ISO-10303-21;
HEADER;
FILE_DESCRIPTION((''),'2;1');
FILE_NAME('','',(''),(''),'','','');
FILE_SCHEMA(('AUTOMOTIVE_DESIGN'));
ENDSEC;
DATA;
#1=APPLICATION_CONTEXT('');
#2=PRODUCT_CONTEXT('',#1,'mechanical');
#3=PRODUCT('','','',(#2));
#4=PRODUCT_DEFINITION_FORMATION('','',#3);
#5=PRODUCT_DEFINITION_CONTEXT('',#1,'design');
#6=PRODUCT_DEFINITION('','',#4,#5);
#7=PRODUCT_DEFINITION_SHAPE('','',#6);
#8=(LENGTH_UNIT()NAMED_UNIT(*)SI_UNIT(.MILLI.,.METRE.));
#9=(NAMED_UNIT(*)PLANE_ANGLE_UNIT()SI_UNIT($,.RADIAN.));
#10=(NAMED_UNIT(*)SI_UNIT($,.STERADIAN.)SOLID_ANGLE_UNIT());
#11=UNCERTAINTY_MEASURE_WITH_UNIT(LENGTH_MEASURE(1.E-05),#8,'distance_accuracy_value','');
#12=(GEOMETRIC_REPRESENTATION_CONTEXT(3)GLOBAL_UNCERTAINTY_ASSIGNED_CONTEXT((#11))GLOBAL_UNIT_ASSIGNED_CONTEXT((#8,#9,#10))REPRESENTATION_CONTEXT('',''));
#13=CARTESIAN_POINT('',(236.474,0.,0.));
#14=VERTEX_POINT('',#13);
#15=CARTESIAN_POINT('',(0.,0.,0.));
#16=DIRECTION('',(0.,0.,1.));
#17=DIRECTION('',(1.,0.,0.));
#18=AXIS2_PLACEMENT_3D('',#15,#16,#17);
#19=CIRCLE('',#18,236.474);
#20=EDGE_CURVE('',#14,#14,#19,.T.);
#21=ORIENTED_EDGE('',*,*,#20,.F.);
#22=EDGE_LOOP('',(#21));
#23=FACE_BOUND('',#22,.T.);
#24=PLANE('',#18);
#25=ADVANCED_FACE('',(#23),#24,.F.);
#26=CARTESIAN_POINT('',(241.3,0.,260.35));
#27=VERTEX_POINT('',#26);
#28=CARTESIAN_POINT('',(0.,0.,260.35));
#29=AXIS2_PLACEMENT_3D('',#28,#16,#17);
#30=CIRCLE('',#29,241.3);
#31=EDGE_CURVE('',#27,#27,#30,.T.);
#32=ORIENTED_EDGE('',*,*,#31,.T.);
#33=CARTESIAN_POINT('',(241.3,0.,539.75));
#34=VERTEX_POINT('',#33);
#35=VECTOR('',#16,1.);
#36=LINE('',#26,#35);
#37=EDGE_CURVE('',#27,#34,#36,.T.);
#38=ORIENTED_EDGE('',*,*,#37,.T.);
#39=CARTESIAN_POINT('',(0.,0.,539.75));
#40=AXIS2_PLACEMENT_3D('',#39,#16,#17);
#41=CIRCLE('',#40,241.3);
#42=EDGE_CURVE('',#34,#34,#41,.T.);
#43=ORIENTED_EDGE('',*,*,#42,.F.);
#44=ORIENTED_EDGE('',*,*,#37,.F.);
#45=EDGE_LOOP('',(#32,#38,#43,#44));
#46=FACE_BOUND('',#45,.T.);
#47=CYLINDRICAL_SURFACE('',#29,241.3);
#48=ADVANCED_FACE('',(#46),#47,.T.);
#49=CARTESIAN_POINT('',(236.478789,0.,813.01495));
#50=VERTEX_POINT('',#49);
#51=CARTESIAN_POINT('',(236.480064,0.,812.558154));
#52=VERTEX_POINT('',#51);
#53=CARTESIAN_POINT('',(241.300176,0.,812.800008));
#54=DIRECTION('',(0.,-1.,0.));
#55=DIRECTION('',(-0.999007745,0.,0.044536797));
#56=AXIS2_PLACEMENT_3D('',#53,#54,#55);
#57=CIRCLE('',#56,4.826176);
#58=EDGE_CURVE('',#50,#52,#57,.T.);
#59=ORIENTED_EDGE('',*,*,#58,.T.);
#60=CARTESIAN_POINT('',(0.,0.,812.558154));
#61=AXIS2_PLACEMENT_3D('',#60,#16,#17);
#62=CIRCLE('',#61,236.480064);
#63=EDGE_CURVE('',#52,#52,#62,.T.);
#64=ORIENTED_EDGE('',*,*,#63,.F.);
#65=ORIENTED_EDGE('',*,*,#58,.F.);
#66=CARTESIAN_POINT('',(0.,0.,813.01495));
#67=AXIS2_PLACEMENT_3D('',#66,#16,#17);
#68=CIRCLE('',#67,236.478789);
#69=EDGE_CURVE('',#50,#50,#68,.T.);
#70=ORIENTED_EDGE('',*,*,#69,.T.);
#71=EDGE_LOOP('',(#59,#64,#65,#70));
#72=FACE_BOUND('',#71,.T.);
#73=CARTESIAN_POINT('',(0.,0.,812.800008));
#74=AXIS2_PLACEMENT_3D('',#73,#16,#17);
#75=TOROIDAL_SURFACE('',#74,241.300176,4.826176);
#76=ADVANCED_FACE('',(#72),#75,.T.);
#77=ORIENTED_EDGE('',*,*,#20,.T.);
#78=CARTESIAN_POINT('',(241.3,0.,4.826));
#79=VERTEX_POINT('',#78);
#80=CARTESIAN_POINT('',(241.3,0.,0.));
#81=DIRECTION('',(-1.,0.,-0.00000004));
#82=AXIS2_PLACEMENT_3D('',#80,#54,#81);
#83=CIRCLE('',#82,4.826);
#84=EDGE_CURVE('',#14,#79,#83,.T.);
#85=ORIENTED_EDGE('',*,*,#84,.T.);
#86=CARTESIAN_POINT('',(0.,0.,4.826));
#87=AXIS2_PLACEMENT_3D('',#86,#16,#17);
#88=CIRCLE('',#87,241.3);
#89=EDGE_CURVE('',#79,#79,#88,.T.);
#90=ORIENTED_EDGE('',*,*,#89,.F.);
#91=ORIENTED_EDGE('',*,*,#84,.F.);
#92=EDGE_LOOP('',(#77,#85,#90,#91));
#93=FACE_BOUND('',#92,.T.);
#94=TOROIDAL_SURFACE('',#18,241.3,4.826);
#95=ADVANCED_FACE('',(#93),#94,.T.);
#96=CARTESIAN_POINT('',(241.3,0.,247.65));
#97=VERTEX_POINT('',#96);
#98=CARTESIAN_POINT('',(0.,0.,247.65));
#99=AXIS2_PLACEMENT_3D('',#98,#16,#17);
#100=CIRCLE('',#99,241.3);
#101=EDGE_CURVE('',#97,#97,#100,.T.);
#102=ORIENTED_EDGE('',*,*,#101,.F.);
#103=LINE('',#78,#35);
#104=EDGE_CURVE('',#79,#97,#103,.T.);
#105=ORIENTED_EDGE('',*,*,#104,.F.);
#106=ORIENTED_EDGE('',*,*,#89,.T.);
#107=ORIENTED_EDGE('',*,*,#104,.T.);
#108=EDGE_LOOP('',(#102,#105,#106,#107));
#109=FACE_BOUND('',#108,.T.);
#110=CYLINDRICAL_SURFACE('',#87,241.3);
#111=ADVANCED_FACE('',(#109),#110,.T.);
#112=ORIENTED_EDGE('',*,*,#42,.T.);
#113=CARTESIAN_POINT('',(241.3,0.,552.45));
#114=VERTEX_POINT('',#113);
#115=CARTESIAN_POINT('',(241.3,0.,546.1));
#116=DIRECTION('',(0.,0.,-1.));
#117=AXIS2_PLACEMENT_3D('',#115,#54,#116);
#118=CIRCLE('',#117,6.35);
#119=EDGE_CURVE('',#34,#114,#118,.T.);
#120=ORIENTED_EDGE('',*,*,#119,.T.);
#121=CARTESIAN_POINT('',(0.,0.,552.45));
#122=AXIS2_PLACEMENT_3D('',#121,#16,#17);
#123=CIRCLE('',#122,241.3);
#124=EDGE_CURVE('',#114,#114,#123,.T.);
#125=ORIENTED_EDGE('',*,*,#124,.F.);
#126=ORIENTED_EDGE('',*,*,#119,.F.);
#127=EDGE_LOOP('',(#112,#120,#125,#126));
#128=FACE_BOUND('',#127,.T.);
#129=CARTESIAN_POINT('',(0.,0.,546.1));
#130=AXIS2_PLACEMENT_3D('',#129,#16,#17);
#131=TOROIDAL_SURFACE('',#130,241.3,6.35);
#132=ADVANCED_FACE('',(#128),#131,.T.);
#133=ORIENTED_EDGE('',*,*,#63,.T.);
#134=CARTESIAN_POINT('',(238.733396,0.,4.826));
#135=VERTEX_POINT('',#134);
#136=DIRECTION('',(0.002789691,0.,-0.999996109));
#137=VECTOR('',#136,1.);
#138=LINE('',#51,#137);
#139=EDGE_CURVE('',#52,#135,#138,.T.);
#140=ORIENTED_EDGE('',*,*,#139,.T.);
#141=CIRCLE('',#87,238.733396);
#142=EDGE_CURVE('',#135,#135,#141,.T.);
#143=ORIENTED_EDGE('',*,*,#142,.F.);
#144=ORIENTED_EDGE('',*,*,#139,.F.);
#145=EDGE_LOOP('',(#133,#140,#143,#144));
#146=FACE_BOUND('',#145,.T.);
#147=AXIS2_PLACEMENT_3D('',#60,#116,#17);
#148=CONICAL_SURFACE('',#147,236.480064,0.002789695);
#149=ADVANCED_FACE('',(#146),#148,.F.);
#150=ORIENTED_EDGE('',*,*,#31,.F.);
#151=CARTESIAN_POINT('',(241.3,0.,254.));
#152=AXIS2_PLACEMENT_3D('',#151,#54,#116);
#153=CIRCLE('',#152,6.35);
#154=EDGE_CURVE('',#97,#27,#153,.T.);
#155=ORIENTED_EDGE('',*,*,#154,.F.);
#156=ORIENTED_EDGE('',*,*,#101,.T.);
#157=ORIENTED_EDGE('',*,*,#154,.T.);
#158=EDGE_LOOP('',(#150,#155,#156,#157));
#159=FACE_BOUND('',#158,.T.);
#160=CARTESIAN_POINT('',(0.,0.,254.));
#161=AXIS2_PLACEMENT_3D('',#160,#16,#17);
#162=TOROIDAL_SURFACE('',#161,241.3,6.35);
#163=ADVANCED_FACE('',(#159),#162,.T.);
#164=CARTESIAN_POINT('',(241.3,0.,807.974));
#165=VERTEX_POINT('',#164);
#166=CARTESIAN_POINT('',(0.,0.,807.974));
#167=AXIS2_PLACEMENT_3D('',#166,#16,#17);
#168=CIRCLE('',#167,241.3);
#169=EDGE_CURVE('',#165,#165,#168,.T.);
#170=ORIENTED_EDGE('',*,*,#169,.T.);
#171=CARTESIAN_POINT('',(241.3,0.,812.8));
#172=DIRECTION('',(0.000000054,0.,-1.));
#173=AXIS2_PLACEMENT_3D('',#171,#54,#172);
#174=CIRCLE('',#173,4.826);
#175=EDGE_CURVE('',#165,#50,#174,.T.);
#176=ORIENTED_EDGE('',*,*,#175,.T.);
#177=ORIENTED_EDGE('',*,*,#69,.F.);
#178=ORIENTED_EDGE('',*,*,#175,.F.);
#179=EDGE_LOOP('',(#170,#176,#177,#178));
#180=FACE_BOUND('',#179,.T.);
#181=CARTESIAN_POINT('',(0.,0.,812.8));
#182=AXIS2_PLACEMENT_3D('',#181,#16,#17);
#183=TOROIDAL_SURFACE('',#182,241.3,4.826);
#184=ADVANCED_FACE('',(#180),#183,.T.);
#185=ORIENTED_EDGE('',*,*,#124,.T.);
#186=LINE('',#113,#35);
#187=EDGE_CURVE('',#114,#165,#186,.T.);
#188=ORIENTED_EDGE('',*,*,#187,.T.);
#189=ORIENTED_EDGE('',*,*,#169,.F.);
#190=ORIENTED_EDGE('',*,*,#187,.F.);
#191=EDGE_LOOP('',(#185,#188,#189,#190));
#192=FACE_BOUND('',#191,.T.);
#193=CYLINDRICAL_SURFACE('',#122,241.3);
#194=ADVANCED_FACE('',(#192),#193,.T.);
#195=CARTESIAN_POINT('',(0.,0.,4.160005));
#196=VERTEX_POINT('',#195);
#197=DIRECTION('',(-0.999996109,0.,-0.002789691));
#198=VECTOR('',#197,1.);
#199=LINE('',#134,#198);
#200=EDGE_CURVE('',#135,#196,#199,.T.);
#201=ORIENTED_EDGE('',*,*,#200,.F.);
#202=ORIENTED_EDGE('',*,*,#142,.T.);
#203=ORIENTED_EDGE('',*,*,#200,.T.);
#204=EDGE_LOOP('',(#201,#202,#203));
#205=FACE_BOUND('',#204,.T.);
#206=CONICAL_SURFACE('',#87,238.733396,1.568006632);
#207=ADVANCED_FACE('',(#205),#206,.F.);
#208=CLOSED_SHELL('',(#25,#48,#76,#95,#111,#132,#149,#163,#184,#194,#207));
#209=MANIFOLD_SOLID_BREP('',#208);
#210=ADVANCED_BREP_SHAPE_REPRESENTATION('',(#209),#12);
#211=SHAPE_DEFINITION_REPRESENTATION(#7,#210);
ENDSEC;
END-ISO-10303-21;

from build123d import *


with BuildPart() as f1:
    # F0 (on Front) → F1 (revolve)
    with BuildSketch(Plane.XZ):
        with BuildLine():
            Line((0, 4.160005), (0, 0))
            Line((0, 0), (236.474, 0))
            ThreePointArc((236.474, 0), (244.712497, -3.412497), (241.3, 4.826))
            Line((241.3, 4.826), (241.3, 247.65))
            ThreePointArc((241.3, 247.65), (247.65, 254), (241.3, 260.35))
            Line((241.3, 260.35), (241.3, 539.75))
            ThreePointArc((241.3, 539.75), (247.65, 546.1), (241.3, 552.45))
            Line((241.3, 552.45), (241.3, 807.974))
            ThreePointArc((241.3, 807.974), (244.787666, 816.135635), (236.478789, 813.01495))
            Line((236.478789, 813.01495), (236.480064, 812.558154))
            Line((236.480064, 812.558154), (238.733396, 4.826))
            Line((238.733396, 4.826), (0, 4.160005))
        make_face()
        with BuildLine():
            ThreePointArc((236.478789, 813.01495), (236.474019, 812.786537), (236.480064, 812.558154))
            Line((236.480064, 812.558154), (236.478789, 813.01495))
        make_face()
    revolve(axis=Axis((0, 0, 406.4), (0, 0, 1)))


solid = f1.part
